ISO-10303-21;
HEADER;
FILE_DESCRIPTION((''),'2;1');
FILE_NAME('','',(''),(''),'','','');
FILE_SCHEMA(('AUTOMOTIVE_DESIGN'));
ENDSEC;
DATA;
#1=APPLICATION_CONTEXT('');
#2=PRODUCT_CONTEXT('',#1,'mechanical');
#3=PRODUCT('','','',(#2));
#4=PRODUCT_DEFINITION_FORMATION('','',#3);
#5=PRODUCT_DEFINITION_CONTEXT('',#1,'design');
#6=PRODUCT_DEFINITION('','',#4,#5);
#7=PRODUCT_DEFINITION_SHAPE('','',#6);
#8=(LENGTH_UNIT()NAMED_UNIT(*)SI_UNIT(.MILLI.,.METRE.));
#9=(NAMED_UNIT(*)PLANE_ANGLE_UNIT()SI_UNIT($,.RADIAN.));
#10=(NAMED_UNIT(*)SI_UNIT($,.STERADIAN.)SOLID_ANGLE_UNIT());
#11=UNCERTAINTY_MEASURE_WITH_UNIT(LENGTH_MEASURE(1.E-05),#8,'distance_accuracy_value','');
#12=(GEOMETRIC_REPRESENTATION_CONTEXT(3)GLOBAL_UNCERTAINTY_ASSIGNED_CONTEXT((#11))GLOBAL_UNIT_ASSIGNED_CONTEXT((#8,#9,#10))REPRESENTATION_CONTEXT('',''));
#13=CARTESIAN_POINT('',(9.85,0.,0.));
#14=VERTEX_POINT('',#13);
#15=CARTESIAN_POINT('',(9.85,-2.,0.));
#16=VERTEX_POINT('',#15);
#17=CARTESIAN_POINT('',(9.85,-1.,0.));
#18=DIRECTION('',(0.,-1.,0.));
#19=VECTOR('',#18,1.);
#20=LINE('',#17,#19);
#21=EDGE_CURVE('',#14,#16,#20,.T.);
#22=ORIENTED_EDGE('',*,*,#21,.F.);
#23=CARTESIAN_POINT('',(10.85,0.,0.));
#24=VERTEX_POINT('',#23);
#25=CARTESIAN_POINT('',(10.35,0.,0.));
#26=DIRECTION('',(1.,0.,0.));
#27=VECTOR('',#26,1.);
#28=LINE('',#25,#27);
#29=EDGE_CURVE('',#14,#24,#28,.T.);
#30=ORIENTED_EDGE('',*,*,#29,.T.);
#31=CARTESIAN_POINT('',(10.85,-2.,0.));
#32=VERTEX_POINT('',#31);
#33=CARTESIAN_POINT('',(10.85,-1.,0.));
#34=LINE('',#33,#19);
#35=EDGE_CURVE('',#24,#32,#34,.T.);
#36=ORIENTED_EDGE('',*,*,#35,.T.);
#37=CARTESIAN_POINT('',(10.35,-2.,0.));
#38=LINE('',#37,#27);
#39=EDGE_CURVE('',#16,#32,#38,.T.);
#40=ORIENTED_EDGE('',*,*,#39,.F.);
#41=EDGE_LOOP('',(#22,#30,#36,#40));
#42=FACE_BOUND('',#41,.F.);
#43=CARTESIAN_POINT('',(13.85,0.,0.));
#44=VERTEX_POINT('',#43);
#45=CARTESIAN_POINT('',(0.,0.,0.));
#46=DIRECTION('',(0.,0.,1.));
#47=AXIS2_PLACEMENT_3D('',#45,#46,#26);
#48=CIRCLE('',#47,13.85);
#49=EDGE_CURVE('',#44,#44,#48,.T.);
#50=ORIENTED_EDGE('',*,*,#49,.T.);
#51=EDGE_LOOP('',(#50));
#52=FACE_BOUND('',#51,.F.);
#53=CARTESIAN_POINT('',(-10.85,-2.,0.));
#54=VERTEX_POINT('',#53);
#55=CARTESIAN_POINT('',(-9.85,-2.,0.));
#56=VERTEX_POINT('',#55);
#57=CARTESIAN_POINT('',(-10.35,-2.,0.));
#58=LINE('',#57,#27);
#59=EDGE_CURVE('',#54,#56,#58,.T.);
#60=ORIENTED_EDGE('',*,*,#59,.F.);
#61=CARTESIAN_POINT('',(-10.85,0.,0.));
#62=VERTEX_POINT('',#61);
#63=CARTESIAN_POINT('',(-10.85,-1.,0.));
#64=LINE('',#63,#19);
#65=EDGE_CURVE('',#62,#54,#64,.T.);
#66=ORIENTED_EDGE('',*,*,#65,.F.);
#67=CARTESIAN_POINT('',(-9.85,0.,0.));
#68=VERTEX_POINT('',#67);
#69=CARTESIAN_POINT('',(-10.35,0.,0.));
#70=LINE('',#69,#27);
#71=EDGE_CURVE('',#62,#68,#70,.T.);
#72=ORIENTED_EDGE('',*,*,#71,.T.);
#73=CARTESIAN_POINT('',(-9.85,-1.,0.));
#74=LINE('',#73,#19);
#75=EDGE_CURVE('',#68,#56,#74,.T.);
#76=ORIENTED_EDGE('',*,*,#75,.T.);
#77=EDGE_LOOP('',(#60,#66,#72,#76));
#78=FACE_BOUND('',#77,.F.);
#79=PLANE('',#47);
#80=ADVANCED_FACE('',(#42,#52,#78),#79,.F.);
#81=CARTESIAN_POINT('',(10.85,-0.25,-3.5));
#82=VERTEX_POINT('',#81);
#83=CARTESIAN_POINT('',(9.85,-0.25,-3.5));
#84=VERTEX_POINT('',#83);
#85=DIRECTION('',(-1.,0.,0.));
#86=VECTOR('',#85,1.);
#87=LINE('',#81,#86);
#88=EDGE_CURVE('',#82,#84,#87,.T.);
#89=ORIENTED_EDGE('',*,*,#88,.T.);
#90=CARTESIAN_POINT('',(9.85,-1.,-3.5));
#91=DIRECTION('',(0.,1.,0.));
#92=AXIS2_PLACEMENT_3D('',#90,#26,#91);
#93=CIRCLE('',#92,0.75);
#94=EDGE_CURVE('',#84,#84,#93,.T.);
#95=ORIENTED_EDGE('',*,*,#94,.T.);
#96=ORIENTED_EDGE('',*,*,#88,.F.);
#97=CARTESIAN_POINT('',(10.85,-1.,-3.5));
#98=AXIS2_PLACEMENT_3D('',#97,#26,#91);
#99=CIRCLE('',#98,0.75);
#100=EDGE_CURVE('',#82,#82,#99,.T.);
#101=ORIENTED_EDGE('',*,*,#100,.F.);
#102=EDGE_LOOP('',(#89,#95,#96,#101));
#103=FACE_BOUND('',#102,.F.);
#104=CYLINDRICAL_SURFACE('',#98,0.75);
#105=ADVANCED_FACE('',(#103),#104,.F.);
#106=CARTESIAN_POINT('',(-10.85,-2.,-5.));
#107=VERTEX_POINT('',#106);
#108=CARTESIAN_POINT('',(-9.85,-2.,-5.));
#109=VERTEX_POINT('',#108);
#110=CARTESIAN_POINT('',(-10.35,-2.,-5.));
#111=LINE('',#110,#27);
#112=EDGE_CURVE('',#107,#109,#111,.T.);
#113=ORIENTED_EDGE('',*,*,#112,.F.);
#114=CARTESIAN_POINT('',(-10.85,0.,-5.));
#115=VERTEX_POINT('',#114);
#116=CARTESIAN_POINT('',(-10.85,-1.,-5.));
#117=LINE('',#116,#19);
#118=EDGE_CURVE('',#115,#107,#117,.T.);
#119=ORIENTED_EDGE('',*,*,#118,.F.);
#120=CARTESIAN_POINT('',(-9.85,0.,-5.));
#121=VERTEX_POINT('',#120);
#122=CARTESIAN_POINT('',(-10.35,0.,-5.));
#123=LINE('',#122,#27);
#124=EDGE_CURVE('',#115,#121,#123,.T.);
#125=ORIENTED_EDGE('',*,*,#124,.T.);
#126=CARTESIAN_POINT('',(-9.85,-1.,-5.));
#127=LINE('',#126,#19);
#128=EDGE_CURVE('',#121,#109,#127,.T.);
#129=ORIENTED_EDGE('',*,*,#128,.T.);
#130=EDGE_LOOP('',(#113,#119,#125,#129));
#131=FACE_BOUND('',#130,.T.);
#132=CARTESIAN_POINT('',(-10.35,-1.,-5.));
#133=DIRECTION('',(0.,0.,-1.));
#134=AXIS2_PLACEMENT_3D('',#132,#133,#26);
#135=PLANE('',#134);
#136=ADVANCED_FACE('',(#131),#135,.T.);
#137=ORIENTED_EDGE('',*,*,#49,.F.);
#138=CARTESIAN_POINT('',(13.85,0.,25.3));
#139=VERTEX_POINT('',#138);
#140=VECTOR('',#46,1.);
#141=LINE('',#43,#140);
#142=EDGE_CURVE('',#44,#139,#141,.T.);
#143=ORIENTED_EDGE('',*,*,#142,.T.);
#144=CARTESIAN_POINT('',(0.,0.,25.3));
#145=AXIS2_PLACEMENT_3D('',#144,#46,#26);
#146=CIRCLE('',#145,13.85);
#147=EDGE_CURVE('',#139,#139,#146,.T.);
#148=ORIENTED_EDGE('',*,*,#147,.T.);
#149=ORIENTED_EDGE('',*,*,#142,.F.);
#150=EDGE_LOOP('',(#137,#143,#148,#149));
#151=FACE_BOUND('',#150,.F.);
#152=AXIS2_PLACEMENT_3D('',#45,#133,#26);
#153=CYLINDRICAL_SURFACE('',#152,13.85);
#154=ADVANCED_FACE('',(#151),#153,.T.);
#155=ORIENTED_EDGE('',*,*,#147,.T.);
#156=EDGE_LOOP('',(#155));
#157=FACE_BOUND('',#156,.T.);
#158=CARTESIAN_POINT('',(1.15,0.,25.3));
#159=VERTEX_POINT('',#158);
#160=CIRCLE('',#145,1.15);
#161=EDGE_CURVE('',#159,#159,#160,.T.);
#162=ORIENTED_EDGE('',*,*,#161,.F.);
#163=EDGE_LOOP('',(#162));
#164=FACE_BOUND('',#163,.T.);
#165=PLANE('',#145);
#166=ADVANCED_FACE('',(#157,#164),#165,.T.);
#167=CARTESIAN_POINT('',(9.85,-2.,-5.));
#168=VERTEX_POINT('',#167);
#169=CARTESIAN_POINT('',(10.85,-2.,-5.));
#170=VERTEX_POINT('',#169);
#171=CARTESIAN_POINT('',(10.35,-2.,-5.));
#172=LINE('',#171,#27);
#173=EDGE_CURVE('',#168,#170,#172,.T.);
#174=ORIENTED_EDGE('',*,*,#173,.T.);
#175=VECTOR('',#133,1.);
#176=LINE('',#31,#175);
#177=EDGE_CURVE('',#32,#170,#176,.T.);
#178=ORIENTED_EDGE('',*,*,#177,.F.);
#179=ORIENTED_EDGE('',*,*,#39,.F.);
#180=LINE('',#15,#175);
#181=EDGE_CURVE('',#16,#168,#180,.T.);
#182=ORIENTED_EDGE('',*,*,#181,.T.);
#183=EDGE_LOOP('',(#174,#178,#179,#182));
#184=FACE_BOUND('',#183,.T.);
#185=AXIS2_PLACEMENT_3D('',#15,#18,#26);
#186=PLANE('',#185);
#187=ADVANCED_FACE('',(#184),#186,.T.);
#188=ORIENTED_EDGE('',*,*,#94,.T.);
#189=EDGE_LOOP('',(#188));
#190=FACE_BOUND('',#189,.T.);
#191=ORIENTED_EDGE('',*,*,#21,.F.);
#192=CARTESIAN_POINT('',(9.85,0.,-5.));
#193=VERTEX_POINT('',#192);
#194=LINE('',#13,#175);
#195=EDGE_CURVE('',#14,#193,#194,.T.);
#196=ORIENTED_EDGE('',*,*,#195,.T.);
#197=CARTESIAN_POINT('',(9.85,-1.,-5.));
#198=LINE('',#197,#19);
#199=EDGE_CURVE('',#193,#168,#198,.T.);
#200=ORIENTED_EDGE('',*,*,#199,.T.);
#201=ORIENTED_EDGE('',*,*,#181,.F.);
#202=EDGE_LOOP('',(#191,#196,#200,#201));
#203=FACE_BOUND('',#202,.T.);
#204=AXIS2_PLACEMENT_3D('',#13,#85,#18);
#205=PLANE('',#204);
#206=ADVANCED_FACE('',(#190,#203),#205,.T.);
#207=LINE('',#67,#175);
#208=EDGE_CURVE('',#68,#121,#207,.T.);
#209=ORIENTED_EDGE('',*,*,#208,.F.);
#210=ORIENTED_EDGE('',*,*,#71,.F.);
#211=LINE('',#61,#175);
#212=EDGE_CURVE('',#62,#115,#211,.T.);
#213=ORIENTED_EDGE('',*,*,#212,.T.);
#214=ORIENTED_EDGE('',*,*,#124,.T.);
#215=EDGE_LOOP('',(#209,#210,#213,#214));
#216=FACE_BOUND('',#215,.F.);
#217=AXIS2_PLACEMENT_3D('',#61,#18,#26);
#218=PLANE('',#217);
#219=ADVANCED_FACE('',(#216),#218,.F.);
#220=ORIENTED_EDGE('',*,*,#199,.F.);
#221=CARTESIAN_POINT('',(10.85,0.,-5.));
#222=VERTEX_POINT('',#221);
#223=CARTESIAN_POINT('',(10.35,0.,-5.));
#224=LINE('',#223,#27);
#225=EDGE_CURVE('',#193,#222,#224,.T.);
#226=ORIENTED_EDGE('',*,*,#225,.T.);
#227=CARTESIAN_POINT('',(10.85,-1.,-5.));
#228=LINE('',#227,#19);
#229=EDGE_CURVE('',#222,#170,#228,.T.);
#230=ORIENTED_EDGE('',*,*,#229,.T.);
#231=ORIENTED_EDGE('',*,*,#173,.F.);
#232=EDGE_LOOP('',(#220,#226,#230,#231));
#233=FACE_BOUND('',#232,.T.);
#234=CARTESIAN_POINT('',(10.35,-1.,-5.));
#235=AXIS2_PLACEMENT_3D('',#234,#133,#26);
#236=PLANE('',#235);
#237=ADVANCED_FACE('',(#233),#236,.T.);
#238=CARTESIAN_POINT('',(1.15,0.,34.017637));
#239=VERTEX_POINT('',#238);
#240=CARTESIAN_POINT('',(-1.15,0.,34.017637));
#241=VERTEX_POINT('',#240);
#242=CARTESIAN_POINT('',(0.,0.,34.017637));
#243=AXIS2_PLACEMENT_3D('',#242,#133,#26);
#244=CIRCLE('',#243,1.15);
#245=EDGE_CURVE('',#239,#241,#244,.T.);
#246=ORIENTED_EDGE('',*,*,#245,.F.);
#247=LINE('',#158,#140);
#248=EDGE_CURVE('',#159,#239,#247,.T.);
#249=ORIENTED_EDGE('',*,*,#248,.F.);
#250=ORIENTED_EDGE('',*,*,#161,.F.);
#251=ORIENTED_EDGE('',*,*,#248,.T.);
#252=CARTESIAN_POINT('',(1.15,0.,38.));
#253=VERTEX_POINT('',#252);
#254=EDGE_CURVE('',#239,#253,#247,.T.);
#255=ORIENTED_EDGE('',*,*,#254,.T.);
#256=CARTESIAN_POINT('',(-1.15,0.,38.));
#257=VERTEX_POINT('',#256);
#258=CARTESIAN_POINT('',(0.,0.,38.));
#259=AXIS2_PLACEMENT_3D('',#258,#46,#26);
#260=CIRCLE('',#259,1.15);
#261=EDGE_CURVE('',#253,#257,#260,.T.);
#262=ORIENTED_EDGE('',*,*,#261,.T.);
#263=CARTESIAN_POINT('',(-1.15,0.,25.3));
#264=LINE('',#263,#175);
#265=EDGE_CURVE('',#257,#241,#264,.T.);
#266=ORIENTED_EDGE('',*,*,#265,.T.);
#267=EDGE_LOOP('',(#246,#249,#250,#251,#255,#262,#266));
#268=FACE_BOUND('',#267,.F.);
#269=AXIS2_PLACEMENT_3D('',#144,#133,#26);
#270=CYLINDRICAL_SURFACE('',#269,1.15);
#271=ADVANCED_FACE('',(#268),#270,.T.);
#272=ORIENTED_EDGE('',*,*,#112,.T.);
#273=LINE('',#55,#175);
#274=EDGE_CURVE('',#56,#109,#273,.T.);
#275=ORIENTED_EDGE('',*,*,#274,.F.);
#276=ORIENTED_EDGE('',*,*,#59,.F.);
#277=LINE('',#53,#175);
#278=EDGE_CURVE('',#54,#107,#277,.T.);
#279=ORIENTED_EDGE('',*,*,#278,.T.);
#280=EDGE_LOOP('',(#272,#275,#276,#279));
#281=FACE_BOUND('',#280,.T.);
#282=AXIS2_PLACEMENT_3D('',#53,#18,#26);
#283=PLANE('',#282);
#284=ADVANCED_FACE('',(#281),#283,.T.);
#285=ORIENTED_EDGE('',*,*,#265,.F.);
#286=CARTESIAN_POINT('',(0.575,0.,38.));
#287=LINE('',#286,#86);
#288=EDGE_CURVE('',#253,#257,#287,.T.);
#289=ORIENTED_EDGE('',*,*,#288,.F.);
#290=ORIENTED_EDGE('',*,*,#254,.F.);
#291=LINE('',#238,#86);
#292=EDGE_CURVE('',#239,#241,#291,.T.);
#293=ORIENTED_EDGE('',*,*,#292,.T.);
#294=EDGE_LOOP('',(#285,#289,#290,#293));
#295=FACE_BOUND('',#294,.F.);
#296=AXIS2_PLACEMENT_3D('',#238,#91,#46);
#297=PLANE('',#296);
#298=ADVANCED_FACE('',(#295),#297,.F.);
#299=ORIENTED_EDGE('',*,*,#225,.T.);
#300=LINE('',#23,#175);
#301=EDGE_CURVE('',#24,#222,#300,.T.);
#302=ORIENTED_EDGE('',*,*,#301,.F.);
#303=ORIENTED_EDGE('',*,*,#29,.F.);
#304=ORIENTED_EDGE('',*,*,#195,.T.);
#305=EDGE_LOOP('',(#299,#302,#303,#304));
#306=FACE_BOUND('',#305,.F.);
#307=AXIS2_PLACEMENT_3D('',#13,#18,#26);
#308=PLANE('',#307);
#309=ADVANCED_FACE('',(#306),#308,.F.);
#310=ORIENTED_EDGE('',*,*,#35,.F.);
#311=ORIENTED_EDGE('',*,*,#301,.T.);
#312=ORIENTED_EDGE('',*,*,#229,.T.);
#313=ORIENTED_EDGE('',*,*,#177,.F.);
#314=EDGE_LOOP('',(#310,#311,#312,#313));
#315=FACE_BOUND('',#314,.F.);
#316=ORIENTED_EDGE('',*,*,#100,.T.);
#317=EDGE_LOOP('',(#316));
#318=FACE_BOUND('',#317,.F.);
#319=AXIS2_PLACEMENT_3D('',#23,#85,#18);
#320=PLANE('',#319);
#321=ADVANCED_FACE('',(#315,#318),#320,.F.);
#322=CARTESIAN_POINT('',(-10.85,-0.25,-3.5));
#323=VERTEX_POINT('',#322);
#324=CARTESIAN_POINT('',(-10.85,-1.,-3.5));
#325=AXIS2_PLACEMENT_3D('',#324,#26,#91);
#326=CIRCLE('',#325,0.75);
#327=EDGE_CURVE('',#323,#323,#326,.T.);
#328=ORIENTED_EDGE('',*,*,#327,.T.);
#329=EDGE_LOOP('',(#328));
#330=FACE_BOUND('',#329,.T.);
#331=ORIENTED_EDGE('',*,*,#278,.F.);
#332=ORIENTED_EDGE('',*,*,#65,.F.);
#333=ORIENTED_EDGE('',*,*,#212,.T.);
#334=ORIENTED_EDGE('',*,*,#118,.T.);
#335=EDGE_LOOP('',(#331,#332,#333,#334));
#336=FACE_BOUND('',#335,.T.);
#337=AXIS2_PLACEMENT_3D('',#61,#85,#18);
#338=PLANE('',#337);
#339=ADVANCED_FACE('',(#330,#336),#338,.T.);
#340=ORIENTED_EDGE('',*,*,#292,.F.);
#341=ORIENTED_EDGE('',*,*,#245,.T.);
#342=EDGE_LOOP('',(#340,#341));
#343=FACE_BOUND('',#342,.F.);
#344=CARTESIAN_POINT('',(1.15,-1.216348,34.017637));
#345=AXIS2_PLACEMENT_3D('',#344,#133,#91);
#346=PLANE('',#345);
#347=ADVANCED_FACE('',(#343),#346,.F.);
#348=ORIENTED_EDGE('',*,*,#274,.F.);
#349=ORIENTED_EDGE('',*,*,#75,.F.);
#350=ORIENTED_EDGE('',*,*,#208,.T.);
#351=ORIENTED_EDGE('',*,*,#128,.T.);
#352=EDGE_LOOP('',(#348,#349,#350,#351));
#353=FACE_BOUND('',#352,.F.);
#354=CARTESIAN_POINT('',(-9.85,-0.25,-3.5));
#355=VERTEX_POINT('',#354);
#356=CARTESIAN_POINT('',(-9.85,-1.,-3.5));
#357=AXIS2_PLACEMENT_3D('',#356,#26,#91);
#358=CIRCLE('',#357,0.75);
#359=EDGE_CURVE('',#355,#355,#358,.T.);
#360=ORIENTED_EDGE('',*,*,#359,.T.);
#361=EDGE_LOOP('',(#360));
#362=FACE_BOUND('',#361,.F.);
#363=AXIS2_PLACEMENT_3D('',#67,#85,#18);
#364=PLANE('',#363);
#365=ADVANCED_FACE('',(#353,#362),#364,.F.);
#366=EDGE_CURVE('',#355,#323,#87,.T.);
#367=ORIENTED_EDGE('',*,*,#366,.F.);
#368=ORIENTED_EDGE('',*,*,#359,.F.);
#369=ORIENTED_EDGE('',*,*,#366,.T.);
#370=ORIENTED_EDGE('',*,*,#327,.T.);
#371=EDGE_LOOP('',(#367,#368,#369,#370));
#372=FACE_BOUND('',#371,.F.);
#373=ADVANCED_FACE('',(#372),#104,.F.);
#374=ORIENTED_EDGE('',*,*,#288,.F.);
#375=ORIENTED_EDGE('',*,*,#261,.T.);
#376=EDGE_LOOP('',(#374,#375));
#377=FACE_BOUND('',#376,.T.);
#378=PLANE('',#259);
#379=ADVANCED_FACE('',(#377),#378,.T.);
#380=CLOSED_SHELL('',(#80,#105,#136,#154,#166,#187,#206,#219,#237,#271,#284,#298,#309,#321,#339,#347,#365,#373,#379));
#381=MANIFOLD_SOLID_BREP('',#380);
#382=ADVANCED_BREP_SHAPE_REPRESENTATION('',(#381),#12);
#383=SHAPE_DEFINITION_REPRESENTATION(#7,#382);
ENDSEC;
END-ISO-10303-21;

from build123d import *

# Parameters (mm, degrees)
F0_R      = 13.85
F1_DEPTH  = 25.3
F2_R      = 1.15
F3_DEPTH  = 12.7
F6_DEPTH  = 25
F7_W      = 1
F7_H      = 2
F8_DEPTH  = 5
F9_R      = 0.75
F10_DEPTH = 24.701


with BuildPart() as f1:
    # F0 (on Top) → F1 (new body)
    with BuildSketch(Plane.XY):
        Circle(F0_R)
    extrude(amount=F1_DEPTH)

    # F2 (on face) → F3 (join)
    with BuildSketch(Plane.XY.offset(25.3)):
        Circle(F2_R)
    extrude(amount=F3_DEPTH)

    # F5 (on offset) → F6 (cut)
    with BuildSketch(Plane.YZ.offset(1.15)):
        Polygon((0, 38.01338), (-1.15913, 38.01338), (-1.216348, 34.017637), (0, 34.017637), align=None)
    extrude(amount=-F6_DEPTH, mode=Mode.SUBTRACT)

    # F7 (on face) → F8 (join)
    with BuildSketch(Plane(origin=(0, 0, 0), x_dir=(1, 0, 0), z_dir=(0, 0, -1))):
        with Locations((-10.35, 1)):
            Rectangle(F7_W, F7_H)
        with Locations((10.35, 1)):
            Rectangle(F7_W, F7_H)
    extrude(amount=F8_DEPTH)

    # F9 (on face) → F10 (cut, through all)
    with BuildSketch(Plane.YZ.offset(10.85)):
        with Locations((-1, -3.5)):
            Circle(F9_R)
    extrude(amount=-F10_DEPTH, mode=Mode.SUBTRACT)


solid = f1.part
